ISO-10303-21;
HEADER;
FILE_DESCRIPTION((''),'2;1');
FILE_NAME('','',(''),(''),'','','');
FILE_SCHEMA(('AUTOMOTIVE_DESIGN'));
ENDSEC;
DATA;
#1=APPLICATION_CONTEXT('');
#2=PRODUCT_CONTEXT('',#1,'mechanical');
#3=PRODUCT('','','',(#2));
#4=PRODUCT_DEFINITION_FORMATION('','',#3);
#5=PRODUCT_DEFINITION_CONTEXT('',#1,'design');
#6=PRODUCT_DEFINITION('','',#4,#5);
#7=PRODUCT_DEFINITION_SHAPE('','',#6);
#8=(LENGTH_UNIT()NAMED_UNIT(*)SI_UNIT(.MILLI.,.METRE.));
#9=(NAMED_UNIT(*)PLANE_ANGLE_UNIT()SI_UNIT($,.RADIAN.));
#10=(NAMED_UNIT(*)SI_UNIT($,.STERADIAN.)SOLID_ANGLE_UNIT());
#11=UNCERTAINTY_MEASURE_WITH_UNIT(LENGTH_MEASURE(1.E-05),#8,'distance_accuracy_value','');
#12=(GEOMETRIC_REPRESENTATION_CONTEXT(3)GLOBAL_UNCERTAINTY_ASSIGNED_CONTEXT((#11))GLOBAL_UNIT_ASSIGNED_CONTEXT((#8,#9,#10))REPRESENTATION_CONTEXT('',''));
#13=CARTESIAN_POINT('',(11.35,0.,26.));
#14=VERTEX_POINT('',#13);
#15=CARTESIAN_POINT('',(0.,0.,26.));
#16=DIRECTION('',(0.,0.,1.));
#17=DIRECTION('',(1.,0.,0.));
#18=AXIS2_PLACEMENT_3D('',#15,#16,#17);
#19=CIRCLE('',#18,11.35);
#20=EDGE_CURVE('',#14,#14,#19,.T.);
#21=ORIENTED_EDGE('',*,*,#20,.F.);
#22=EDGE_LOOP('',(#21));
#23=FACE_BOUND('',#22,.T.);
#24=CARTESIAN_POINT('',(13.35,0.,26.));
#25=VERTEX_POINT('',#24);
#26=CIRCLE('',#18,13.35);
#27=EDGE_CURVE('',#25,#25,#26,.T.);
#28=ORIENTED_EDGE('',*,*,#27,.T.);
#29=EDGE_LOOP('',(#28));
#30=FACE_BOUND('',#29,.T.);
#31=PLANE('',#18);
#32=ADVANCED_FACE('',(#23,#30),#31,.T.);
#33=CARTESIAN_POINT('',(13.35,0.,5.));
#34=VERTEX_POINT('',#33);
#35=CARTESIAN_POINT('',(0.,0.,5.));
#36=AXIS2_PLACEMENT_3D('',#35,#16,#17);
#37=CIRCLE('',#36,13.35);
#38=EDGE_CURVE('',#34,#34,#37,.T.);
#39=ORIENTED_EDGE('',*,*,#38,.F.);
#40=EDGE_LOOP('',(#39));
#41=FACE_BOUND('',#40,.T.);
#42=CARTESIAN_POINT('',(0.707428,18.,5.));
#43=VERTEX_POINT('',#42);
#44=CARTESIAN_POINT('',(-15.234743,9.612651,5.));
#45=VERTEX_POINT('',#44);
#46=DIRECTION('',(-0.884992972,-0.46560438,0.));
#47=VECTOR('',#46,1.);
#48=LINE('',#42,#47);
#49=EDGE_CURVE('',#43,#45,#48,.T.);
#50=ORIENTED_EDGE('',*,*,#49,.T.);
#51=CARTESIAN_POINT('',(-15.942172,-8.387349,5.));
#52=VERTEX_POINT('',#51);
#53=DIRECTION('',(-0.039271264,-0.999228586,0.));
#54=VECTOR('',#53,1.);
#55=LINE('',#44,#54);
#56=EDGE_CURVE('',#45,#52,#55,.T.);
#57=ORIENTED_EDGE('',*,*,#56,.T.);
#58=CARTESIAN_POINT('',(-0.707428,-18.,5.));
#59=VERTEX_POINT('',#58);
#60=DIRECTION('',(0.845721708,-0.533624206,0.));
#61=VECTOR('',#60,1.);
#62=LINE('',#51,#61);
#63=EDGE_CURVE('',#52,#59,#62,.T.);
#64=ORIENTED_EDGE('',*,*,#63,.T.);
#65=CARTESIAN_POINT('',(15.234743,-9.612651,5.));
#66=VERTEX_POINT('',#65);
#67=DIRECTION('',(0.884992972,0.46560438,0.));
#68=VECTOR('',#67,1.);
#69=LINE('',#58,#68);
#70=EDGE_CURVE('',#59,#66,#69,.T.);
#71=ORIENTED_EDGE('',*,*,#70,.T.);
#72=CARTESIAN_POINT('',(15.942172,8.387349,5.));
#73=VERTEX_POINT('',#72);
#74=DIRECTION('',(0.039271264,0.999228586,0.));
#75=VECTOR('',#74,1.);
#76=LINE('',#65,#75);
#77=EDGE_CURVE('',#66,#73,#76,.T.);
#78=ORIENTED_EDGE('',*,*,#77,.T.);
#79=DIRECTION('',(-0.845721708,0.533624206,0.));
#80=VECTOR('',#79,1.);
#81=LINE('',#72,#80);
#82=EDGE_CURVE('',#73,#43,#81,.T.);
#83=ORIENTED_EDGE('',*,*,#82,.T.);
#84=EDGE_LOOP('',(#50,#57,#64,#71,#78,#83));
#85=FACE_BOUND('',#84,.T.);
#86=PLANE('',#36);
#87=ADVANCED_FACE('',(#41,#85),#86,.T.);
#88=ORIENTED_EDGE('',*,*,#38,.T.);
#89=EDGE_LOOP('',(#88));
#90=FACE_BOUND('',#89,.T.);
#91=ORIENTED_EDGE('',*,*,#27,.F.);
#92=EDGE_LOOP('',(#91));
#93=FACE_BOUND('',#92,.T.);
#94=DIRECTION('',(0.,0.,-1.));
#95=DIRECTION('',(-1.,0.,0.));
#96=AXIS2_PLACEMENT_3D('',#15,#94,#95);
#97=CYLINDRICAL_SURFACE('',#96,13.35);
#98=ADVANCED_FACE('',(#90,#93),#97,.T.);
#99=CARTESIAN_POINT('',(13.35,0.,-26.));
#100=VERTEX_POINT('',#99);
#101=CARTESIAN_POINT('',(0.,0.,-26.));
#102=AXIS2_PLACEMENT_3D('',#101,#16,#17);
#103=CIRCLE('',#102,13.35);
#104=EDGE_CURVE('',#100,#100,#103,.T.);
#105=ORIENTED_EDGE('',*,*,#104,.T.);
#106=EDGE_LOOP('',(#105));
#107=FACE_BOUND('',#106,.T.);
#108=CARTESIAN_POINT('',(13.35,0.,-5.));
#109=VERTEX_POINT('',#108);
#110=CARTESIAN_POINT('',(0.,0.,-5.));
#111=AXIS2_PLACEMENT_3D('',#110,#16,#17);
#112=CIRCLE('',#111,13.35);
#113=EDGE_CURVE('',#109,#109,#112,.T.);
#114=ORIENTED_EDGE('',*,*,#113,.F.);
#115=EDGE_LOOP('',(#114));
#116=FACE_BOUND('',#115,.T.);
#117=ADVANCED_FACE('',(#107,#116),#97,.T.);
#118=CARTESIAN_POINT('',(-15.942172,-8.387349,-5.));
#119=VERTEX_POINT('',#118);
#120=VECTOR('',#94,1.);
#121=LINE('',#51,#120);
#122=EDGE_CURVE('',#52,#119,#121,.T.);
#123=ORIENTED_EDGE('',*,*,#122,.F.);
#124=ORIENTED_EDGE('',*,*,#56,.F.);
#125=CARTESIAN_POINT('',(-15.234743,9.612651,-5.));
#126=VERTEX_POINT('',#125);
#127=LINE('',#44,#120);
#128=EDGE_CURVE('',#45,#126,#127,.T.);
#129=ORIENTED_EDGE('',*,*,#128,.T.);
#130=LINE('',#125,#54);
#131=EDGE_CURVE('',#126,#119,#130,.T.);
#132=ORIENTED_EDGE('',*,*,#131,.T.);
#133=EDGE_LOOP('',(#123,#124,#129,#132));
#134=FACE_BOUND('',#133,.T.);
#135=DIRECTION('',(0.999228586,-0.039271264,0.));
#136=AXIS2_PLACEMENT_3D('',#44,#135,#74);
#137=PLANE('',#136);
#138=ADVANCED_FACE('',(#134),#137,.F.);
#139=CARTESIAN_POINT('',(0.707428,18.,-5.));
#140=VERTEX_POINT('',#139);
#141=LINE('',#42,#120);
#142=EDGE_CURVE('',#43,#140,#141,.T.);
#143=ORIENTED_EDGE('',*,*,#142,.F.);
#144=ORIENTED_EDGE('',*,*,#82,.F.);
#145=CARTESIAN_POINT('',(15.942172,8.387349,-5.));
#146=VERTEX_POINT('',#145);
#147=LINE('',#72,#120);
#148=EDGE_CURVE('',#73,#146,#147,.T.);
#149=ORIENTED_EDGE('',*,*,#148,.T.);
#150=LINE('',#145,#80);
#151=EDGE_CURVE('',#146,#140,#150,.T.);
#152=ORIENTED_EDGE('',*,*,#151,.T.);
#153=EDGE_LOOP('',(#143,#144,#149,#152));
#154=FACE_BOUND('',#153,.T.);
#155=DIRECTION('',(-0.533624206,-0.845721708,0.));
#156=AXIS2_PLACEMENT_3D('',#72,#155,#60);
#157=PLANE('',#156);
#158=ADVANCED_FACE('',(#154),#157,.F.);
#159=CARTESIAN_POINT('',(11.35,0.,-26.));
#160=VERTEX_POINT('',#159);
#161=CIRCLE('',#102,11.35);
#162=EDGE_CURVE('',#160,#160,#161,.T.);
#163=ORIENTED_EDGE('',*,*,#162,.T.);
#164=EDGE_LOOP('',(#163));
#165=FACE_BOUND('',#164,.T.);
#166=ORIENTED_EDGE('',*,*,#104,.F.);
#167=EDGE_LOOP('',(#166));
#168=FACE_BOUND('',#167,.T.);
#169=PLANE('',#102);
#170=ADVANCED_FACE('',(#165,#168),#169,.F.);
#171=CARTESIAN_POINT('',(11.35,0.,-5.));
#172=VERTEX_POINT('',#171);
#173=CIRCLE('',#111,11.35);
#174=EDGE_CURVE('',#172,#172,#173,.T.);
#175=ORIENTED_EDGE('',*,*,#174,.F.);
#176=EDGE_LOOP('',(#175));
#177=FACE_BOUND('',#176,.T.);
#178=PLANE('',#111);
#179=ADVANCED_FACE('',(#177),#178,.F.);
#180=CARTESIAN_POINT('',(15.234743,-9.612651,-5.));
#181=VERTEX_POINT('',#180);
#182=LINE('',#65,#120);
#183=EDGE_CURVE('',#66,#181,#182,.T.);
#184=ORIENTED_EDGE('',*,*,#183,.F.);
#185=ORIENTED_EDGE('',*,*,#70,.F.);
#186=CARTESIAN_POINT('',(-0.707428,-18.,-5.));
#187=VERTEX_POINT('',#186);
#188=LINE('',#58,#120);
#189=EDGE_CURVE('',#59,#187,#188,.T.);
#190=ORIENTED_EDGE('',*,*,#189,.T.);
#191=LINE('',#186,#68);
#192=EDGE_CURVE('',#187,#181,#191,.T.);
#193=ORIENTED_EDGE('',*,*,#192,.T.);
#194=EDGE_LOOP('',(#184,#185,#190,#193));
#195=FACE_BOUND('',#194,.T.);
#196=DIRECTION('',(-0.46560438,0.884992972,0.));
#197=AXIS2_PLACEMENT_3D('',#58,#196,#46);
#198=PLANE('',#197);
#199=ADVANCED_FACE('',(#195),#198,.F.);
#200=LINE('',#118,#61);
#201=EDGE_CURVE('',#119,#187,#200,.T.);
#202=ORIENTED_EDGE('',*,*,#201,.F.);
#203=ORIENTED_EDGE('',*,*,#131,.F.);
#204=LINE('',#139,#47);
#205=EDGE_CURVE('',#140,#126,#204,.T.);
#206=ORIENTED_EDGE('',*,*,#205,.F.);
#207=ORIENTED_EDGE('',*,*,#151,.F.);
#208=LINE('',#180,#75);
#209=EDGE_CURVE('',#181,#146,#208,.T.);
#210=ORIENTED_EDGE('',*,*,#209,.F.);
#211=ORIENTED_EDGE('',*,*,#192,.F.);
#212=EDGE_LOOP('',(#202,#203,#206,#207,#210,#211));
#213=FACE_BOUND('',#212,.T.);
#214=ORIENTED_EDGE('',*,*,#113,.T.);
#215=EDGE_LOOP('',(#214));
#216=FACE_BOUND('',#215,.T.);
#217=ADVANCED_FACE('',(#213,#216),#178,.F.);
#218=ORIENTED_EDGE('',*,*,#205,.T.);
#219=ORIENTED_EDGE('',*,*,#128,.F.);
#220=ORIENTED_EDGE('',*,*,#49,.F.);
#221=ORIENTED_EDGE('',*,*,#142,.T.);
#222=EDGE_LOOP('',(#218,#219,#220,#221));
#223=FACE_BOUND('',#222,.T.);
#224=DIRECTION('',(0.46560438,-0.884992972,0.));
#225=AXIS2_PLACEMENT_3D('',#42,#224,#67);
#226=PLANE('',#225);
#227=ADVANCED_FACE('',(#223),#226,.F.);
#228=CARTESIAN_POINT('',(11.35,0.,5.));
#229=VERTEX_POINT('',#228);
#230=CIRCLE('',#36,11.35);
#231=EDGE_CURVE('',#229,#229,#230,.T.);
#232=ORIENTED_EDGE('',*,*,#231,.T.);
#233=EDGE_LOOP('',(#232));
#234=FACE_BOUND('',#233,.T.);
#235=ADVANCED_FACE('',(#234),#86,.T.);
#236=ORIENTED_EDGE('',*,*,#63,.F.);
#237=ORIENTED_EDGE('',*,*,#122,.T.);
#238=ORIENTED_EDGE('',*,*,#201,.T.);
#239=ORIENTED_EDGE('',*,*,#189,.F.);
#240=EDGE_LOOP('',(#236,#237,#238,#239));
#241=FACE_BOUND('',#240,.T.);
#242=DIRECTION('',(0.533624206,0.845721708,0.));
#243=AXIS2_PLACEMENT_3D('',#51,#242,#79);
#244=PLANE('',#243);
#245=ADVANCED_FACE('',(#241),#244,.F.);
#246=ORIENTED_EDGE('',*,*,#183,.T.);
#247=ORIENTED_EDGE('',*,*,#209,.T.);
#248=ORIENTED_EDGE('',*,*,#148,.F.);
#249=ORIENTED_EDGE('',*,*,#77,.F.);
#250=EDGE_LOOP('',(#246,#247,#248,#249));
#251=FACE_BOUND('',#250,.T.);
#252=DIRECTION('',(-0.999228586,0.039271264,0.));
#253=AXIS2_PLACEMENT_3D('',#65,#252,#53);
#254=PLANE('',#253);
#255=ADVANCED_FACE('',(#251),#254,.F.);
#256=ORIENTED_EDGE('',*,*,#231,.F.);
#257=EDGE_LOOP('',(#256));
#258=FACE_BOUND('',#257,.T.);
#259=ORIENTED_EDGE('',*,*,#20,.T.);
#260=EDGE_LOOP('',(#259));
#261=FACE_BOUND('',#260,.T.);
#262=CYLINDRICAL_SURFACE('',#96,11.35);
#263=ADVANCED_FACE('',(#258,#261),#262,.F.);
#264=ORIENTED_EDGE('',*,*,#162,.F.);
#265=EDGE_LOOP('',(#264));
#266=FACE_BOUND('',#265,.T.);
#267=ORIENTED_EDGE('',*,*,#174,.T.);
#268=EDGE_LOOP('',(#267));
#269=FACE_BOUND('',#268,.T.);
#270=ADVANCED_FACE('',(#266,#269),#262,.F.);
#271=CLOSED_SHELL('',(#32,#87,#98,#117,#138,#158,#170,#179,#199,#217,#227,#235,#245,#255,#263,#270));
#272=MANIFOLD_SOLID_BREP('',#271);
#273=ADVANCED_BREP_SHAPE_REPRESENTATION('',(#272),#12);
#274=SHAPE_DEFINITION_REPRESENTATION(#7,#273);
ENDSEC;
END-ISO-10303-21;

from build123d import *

# Parameters (mm, degrees)
SKETCH1_R           = 13.35
SKETCH1_R_2         = 11.35
EXTRUDE_THIN1_DEPTH = 26
BOSS_EXTRUDE1_DEPTH = 5


with BuildPart() as part:
    # Sketch1 → Extrude-Thin1 (new, symmetric)
    with BuildSketch(Plane.XY):
        Circle(SKETCH1_R)
        Circle(SKETCH1_R_2, mode=Mode.SUBTRACT)
    extrude(amount=EXTRUDE_THIN1_DEPTH, both=True)

    # Sketch2 → Boss-Extrude1 (add, symmetric)
    with BuildSketch(Plane.XY):
        Polygon((15.942171509, 8.387348964), (0.707428481, 18), (-15.234743028, 9.612651036), (-15.942171509, -8.387348964), (-0.707428481, -18), (15.234743028, -9.612651036), align=None)
    extrude(amount=BOSS_EXTRUDE1_DEPTH, both=True)


solid = part.part
